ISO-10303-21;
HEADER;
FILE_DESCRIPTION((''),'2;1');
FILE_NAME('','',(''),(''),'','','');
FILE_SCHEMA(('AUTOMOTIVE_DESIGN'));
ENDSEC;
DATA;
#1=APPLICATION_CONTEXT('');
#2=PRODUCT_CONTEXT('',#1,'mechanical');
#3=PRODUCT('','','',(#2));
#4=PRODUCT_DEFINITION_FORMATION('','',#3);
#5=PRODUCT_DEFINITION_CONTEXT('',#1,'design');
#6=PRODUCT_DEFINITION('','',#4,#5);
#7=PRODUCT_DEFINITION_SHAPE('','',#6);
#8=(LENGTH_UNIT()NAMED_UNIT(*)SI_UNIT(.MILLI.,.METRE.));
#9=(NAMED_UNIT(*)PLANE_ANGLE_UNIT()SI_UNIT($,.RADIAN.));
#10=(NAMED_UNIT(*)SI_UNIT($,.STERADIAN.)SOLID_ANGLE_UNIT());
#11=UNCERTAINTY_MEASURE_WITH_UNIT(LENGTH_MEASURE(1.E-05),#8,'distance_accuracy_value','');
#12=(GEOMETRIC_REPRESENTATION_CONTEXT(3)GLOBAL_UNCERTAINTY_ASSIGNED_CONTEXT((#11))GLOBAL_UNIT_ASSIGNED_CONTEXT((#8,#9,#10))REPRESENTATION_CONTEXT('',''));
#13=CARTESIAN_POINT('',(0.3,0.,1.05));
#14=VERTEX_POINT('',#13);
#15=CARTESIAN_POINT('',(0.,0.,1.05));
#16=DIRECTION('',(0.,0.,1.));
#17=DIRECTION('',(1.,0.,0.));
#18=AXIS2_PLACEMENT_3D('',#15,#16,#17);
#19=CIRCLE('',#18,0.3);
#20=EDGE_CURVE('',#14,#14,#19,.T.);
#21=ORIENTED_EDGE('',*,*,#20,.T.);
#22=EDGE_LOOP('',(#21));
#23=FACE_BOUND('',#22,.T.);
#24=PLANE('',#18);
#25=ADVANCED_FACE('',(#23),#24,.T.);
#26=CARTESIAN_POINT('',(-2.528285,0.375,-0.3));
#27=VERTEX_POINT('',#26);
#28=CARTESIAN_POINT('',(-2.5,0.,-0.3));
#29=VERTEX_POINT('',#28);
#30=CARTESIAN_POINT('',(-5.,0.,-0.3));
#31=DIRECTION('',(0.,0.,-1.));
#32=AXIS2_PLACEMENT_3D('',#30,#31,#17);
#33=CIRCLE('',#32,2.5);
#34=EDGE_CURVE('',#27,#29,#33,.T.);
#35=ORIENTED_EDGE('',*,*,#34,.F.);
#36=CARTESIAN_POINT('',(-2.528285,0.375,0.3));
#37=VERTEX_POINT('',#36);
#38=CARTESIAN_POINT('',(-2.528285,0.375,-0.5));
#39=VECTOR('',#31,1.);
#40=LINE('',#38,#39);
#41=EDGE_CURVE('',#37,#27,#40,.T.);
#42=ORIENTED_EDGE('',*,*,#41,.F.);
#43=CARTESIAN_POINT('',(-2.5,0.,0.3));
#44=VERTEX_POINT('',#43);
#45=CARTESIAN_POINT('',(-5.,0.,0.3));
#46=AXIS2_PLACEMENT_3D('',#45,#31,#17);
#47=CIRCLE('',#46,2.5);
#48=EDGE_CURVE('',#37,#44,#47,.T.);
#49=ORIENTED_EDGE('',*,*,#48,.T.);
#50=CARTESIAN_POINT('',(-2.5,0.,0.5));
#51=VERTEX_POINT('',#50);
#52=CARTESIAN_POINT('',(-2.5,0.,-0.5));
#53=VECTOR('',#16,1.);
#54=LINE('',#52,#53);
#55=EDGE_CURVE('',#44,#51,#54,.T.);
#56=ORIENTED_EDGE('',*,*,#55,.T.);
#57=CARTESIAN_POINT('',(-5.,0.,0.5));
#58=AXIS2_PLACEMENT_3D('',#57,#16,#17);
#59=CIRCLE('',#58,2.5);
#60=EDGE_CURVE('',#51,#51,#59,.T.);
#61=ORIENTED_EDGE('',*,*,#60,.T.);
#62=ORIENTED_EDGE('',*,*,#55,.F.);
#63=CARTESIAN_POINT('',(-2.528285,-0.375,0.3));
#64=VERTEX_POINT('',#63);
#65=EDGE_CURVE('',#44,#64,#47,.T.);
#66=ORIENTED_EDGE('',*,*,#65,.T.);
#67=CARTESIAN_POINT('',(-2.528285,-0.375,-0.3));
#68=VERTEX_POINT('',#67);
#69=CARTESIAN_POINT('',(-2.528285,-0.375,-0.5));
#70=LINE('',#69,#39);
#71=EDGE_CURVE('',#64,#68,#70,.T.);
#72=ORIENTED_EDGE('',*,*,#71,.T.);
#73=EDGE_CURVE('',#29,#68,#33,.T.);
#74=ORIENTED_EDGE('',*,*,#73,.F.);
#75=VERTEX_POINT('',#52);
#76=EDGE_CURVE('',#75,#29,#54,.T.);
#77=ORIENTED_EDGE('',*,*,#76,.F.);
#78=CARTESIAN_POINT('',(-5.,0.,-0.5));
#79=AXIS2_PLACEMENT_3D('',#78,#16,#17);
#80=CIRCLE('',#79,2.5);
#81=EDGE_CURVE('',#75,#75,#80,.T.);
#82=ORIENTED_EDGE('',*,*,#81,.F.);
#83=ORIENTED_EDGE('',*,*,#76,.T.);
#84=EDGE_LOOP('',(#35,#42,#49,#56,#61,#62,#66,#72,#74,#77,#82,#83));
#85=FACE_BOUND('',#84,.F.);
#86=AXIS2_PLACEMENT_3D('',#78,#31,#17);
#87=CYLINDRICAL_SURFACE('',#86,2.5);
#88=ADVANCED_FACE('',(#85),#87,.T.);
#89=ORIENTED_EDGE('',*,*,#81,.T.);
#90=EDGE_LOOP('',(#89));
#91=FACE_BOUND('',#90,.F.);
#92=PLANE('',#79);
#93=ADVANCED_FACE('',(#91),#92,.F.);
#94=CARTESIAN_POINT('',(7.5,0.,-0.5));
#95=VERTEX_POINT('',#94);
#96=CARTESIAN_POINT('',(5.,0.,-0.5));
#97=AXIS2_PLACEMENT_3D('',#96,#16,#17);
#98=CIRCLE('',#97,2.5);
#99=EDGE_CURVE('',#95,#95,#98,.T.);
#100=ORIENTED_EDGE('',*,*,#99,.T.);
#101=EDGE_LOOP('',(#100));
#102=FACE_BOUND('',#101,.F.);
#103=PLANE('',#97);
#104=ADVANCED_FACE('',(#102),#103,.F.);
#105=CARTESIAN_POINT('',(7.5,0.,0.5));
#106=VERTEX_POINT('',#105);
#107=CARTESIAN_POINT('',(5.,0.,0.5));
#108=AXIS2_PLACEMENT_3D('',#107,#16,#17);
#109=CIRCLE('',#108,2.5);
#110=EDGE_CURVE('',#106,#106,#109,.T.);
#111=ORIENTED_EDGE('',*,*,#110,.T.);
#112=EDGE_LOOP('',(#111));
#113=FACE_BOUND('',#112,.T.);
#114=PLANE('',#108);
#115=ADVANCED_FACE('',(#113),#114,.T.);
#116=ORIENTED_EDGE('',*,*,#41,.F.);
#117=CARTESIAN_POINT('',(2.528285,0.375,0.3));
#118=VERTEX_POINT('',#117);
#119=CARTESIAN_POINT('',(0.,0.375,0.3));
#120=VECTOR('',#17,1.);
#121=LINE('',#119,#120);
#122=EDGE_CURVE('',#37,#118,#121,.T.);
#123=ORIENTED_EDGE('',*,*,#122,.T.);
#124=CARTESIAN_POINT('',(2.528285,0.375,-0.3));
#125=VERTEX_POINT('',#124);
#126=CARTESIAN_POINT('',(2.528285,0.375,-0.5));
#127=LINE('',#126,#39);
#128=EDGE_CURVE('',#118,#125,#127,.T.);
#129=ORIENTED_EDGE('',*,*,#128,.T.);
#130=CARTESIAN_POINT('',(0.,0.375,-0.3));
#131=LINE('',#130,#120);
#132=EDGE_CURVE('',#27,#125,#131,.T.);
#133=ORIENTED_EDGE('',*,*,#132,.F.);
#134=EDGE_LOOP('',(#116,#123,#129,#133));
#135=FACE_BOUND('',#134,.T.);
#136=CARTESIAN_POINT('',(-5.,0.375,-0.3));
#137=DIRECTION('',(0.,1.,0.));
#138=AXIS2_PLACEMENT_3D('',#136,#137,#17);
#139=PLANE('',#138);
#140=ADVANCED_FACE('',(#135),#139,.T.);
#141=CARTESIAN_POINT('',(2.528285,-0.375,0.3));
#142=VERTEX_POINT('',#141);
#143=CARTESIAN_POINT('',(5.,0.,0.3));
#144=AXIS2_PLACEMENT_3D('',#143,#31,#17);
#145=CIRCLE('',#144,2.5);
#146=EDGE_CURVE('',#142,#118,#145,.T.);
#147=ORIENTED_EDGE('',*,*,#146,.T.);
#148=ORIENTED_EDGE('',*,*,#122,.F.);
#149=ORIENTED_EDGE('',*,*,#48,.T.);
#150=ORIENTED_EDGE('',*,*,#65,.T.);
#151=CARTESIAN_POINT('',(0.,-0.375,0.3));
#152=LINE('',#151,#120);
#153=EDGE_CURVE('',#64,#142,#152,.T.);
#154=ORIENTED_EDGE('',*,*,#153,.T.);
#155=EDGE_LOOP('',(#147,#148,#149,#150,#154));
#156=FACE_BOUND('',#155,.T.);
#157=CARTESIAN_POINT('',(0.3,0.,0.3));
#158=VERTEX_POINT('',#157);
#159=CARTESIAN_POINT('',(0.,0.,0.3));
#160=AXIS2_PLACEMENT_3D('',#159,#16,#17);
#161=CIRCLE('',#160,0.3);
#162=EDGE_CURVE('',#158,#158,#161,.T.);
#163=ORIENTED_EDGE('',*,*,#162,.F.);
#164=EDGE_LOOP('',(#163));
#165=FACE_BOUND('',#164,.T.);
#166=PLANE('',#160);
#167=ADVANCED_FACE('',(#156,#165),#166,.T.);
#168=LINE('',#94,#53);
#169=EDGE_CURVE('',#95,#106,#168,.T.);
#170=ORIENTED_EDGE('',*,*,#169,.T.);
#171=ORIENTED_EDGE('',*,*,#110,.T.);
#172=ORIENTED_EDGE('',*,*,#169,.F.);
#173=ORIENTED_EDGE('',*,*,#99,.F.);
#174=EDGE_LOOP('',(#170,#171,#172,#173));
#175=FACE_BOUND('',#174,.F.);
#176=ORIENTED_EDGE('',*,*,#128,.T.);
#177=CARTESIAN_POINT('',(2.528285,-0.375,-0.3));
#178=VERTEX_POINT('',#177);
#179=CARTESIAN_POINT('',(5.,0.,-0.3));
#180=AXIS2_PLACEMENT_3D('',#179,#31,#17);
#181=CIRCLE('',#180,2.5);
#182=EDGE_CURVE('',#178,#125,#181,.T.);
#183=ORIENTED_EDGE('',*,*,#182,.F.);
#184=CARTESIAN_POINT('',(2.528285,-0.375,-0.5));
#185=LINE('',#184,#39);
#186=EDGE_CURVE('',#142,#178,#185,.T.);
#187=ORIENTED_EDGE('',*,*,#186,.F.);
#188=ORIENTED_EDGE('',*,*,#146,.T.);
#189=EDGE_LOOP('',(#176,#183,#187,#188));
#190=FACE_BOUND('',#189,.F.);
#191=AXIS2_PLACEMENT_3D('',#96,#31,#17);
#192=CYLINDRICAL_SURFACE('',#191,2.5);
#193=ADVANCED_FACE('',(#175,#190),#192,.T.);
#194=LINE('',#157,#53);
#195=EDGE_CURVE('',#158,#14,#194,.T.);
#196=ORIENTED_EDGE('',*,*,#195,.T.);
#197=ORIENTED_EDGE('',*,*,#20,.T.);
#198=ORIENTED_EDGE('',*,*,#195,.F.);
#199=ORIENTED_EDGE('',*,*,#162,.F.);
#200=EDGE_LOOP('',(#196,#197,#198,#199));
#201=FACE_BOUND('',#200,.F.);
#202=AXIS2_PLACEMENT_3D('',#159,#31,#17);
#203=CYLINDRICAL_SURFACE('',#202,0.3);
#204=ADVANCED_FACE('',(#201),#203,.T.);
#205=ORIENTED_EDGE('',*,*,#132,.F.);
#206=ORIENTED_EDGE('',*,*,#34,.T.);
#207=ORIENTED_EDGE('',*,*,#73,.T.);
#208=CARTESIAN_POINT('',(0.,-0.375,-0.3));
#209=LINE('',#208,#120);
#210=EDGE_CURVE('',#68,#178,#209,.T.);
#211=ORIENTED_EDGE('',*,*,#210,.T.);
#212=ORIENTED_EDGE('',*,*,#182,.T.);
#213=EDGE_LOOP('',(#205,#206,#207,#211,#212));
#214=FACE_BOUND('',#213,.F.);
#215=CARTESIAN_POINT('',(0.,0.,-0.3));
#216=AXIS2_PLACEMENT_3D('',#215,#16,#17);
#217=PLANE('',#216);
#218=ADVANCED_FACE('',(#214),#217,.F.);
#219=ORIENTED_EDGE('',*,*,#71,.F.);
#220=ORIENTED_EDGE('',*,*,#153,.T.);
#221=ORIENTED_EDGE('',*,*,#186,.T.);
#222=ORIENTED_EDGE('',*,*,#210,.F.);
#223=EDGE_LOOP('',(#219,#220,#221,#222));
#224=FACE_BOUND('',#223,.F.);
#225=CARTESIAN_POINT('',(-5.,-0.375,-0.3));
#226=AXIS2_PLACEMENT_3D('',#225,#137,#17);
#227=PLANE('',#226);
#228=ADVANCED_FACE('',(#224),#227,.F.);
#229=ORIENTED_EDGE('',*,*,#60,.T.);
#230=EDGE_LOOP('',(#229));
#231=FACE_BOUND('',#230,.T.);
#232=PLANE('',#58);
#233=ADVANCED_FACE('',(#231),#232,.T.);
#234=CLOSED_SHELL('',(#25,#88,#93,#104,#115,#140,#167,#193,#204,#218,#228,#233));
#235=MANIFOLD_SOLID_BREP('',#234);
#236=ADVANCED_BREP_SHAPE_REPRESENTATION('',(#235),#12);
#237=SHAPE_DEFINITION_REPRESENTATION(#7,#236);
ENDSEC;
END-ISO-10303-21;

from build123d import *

# Parameters (mm, degrees)
CYLINDER142_R     = 2.5
CYLINDER142_DEPTH = 1
CYLINDER141_R     = 2.5
CYLINDER141_DEPTH = 1
CYLINDER140_R     = 0.3
CYLINDER140_DEPTH = 0.75
BOX_W             = 10
BOX_H             = 0.75
BOX_DEPTH         = 0.6


with BuildPart() as mountingholeod001:
    # Cylinder142 → Cylinder142 (new body)
    with BuildSketch(Plane(origin=(5, 0, -0.5), x_dir=(1, 0, 0), z_dir=(0, 0, 1))):
        Circle(CYLINDER142_R)
    extrude(amount=CYLINDER142_DEPTH)


with BuildPart() as mountingholeod:
    # Cylinder141 → Cylinder141 (new body)
    with BuildSketch(Plane(origin=(-5, 0, -0.5), x_dir=(1, 0, 0), z_dir=(0, 0, 1))):
        Circle(CYLINDER141_R)
    extrude(amount=CYLINDER141_DEPTH)


with BuildPart() as nozzle_od:
    # Cylinder140 → Cylinder140 (new body)
    with BuildSketch(Plane.XY.offset(0.3)):
        Circle(CYLINDER140_R)
    extrude(amount=CYLINDER140_DEPTH)


with BuildPart() as fusion:
    # Box → Box (new body)
    with BuildSketch(Plane(origin=(-5, -0.375, -0.3), x_dir=(1, 0, 0), z_dir=(0, 0, 1))):
        with Locations((5, 0.375)):
            Rectangle(BOX_W, BOX_H)
    extrude(amount=BOX_DEPTH)

    # Fusion: union MountingHoleOD001, MountingHoleOD, Nozzle_OD
    add(mountingholeod001.part)
    add(mountingholeod.part)
    add(nozzle_od.part)


solid = fusion.part
